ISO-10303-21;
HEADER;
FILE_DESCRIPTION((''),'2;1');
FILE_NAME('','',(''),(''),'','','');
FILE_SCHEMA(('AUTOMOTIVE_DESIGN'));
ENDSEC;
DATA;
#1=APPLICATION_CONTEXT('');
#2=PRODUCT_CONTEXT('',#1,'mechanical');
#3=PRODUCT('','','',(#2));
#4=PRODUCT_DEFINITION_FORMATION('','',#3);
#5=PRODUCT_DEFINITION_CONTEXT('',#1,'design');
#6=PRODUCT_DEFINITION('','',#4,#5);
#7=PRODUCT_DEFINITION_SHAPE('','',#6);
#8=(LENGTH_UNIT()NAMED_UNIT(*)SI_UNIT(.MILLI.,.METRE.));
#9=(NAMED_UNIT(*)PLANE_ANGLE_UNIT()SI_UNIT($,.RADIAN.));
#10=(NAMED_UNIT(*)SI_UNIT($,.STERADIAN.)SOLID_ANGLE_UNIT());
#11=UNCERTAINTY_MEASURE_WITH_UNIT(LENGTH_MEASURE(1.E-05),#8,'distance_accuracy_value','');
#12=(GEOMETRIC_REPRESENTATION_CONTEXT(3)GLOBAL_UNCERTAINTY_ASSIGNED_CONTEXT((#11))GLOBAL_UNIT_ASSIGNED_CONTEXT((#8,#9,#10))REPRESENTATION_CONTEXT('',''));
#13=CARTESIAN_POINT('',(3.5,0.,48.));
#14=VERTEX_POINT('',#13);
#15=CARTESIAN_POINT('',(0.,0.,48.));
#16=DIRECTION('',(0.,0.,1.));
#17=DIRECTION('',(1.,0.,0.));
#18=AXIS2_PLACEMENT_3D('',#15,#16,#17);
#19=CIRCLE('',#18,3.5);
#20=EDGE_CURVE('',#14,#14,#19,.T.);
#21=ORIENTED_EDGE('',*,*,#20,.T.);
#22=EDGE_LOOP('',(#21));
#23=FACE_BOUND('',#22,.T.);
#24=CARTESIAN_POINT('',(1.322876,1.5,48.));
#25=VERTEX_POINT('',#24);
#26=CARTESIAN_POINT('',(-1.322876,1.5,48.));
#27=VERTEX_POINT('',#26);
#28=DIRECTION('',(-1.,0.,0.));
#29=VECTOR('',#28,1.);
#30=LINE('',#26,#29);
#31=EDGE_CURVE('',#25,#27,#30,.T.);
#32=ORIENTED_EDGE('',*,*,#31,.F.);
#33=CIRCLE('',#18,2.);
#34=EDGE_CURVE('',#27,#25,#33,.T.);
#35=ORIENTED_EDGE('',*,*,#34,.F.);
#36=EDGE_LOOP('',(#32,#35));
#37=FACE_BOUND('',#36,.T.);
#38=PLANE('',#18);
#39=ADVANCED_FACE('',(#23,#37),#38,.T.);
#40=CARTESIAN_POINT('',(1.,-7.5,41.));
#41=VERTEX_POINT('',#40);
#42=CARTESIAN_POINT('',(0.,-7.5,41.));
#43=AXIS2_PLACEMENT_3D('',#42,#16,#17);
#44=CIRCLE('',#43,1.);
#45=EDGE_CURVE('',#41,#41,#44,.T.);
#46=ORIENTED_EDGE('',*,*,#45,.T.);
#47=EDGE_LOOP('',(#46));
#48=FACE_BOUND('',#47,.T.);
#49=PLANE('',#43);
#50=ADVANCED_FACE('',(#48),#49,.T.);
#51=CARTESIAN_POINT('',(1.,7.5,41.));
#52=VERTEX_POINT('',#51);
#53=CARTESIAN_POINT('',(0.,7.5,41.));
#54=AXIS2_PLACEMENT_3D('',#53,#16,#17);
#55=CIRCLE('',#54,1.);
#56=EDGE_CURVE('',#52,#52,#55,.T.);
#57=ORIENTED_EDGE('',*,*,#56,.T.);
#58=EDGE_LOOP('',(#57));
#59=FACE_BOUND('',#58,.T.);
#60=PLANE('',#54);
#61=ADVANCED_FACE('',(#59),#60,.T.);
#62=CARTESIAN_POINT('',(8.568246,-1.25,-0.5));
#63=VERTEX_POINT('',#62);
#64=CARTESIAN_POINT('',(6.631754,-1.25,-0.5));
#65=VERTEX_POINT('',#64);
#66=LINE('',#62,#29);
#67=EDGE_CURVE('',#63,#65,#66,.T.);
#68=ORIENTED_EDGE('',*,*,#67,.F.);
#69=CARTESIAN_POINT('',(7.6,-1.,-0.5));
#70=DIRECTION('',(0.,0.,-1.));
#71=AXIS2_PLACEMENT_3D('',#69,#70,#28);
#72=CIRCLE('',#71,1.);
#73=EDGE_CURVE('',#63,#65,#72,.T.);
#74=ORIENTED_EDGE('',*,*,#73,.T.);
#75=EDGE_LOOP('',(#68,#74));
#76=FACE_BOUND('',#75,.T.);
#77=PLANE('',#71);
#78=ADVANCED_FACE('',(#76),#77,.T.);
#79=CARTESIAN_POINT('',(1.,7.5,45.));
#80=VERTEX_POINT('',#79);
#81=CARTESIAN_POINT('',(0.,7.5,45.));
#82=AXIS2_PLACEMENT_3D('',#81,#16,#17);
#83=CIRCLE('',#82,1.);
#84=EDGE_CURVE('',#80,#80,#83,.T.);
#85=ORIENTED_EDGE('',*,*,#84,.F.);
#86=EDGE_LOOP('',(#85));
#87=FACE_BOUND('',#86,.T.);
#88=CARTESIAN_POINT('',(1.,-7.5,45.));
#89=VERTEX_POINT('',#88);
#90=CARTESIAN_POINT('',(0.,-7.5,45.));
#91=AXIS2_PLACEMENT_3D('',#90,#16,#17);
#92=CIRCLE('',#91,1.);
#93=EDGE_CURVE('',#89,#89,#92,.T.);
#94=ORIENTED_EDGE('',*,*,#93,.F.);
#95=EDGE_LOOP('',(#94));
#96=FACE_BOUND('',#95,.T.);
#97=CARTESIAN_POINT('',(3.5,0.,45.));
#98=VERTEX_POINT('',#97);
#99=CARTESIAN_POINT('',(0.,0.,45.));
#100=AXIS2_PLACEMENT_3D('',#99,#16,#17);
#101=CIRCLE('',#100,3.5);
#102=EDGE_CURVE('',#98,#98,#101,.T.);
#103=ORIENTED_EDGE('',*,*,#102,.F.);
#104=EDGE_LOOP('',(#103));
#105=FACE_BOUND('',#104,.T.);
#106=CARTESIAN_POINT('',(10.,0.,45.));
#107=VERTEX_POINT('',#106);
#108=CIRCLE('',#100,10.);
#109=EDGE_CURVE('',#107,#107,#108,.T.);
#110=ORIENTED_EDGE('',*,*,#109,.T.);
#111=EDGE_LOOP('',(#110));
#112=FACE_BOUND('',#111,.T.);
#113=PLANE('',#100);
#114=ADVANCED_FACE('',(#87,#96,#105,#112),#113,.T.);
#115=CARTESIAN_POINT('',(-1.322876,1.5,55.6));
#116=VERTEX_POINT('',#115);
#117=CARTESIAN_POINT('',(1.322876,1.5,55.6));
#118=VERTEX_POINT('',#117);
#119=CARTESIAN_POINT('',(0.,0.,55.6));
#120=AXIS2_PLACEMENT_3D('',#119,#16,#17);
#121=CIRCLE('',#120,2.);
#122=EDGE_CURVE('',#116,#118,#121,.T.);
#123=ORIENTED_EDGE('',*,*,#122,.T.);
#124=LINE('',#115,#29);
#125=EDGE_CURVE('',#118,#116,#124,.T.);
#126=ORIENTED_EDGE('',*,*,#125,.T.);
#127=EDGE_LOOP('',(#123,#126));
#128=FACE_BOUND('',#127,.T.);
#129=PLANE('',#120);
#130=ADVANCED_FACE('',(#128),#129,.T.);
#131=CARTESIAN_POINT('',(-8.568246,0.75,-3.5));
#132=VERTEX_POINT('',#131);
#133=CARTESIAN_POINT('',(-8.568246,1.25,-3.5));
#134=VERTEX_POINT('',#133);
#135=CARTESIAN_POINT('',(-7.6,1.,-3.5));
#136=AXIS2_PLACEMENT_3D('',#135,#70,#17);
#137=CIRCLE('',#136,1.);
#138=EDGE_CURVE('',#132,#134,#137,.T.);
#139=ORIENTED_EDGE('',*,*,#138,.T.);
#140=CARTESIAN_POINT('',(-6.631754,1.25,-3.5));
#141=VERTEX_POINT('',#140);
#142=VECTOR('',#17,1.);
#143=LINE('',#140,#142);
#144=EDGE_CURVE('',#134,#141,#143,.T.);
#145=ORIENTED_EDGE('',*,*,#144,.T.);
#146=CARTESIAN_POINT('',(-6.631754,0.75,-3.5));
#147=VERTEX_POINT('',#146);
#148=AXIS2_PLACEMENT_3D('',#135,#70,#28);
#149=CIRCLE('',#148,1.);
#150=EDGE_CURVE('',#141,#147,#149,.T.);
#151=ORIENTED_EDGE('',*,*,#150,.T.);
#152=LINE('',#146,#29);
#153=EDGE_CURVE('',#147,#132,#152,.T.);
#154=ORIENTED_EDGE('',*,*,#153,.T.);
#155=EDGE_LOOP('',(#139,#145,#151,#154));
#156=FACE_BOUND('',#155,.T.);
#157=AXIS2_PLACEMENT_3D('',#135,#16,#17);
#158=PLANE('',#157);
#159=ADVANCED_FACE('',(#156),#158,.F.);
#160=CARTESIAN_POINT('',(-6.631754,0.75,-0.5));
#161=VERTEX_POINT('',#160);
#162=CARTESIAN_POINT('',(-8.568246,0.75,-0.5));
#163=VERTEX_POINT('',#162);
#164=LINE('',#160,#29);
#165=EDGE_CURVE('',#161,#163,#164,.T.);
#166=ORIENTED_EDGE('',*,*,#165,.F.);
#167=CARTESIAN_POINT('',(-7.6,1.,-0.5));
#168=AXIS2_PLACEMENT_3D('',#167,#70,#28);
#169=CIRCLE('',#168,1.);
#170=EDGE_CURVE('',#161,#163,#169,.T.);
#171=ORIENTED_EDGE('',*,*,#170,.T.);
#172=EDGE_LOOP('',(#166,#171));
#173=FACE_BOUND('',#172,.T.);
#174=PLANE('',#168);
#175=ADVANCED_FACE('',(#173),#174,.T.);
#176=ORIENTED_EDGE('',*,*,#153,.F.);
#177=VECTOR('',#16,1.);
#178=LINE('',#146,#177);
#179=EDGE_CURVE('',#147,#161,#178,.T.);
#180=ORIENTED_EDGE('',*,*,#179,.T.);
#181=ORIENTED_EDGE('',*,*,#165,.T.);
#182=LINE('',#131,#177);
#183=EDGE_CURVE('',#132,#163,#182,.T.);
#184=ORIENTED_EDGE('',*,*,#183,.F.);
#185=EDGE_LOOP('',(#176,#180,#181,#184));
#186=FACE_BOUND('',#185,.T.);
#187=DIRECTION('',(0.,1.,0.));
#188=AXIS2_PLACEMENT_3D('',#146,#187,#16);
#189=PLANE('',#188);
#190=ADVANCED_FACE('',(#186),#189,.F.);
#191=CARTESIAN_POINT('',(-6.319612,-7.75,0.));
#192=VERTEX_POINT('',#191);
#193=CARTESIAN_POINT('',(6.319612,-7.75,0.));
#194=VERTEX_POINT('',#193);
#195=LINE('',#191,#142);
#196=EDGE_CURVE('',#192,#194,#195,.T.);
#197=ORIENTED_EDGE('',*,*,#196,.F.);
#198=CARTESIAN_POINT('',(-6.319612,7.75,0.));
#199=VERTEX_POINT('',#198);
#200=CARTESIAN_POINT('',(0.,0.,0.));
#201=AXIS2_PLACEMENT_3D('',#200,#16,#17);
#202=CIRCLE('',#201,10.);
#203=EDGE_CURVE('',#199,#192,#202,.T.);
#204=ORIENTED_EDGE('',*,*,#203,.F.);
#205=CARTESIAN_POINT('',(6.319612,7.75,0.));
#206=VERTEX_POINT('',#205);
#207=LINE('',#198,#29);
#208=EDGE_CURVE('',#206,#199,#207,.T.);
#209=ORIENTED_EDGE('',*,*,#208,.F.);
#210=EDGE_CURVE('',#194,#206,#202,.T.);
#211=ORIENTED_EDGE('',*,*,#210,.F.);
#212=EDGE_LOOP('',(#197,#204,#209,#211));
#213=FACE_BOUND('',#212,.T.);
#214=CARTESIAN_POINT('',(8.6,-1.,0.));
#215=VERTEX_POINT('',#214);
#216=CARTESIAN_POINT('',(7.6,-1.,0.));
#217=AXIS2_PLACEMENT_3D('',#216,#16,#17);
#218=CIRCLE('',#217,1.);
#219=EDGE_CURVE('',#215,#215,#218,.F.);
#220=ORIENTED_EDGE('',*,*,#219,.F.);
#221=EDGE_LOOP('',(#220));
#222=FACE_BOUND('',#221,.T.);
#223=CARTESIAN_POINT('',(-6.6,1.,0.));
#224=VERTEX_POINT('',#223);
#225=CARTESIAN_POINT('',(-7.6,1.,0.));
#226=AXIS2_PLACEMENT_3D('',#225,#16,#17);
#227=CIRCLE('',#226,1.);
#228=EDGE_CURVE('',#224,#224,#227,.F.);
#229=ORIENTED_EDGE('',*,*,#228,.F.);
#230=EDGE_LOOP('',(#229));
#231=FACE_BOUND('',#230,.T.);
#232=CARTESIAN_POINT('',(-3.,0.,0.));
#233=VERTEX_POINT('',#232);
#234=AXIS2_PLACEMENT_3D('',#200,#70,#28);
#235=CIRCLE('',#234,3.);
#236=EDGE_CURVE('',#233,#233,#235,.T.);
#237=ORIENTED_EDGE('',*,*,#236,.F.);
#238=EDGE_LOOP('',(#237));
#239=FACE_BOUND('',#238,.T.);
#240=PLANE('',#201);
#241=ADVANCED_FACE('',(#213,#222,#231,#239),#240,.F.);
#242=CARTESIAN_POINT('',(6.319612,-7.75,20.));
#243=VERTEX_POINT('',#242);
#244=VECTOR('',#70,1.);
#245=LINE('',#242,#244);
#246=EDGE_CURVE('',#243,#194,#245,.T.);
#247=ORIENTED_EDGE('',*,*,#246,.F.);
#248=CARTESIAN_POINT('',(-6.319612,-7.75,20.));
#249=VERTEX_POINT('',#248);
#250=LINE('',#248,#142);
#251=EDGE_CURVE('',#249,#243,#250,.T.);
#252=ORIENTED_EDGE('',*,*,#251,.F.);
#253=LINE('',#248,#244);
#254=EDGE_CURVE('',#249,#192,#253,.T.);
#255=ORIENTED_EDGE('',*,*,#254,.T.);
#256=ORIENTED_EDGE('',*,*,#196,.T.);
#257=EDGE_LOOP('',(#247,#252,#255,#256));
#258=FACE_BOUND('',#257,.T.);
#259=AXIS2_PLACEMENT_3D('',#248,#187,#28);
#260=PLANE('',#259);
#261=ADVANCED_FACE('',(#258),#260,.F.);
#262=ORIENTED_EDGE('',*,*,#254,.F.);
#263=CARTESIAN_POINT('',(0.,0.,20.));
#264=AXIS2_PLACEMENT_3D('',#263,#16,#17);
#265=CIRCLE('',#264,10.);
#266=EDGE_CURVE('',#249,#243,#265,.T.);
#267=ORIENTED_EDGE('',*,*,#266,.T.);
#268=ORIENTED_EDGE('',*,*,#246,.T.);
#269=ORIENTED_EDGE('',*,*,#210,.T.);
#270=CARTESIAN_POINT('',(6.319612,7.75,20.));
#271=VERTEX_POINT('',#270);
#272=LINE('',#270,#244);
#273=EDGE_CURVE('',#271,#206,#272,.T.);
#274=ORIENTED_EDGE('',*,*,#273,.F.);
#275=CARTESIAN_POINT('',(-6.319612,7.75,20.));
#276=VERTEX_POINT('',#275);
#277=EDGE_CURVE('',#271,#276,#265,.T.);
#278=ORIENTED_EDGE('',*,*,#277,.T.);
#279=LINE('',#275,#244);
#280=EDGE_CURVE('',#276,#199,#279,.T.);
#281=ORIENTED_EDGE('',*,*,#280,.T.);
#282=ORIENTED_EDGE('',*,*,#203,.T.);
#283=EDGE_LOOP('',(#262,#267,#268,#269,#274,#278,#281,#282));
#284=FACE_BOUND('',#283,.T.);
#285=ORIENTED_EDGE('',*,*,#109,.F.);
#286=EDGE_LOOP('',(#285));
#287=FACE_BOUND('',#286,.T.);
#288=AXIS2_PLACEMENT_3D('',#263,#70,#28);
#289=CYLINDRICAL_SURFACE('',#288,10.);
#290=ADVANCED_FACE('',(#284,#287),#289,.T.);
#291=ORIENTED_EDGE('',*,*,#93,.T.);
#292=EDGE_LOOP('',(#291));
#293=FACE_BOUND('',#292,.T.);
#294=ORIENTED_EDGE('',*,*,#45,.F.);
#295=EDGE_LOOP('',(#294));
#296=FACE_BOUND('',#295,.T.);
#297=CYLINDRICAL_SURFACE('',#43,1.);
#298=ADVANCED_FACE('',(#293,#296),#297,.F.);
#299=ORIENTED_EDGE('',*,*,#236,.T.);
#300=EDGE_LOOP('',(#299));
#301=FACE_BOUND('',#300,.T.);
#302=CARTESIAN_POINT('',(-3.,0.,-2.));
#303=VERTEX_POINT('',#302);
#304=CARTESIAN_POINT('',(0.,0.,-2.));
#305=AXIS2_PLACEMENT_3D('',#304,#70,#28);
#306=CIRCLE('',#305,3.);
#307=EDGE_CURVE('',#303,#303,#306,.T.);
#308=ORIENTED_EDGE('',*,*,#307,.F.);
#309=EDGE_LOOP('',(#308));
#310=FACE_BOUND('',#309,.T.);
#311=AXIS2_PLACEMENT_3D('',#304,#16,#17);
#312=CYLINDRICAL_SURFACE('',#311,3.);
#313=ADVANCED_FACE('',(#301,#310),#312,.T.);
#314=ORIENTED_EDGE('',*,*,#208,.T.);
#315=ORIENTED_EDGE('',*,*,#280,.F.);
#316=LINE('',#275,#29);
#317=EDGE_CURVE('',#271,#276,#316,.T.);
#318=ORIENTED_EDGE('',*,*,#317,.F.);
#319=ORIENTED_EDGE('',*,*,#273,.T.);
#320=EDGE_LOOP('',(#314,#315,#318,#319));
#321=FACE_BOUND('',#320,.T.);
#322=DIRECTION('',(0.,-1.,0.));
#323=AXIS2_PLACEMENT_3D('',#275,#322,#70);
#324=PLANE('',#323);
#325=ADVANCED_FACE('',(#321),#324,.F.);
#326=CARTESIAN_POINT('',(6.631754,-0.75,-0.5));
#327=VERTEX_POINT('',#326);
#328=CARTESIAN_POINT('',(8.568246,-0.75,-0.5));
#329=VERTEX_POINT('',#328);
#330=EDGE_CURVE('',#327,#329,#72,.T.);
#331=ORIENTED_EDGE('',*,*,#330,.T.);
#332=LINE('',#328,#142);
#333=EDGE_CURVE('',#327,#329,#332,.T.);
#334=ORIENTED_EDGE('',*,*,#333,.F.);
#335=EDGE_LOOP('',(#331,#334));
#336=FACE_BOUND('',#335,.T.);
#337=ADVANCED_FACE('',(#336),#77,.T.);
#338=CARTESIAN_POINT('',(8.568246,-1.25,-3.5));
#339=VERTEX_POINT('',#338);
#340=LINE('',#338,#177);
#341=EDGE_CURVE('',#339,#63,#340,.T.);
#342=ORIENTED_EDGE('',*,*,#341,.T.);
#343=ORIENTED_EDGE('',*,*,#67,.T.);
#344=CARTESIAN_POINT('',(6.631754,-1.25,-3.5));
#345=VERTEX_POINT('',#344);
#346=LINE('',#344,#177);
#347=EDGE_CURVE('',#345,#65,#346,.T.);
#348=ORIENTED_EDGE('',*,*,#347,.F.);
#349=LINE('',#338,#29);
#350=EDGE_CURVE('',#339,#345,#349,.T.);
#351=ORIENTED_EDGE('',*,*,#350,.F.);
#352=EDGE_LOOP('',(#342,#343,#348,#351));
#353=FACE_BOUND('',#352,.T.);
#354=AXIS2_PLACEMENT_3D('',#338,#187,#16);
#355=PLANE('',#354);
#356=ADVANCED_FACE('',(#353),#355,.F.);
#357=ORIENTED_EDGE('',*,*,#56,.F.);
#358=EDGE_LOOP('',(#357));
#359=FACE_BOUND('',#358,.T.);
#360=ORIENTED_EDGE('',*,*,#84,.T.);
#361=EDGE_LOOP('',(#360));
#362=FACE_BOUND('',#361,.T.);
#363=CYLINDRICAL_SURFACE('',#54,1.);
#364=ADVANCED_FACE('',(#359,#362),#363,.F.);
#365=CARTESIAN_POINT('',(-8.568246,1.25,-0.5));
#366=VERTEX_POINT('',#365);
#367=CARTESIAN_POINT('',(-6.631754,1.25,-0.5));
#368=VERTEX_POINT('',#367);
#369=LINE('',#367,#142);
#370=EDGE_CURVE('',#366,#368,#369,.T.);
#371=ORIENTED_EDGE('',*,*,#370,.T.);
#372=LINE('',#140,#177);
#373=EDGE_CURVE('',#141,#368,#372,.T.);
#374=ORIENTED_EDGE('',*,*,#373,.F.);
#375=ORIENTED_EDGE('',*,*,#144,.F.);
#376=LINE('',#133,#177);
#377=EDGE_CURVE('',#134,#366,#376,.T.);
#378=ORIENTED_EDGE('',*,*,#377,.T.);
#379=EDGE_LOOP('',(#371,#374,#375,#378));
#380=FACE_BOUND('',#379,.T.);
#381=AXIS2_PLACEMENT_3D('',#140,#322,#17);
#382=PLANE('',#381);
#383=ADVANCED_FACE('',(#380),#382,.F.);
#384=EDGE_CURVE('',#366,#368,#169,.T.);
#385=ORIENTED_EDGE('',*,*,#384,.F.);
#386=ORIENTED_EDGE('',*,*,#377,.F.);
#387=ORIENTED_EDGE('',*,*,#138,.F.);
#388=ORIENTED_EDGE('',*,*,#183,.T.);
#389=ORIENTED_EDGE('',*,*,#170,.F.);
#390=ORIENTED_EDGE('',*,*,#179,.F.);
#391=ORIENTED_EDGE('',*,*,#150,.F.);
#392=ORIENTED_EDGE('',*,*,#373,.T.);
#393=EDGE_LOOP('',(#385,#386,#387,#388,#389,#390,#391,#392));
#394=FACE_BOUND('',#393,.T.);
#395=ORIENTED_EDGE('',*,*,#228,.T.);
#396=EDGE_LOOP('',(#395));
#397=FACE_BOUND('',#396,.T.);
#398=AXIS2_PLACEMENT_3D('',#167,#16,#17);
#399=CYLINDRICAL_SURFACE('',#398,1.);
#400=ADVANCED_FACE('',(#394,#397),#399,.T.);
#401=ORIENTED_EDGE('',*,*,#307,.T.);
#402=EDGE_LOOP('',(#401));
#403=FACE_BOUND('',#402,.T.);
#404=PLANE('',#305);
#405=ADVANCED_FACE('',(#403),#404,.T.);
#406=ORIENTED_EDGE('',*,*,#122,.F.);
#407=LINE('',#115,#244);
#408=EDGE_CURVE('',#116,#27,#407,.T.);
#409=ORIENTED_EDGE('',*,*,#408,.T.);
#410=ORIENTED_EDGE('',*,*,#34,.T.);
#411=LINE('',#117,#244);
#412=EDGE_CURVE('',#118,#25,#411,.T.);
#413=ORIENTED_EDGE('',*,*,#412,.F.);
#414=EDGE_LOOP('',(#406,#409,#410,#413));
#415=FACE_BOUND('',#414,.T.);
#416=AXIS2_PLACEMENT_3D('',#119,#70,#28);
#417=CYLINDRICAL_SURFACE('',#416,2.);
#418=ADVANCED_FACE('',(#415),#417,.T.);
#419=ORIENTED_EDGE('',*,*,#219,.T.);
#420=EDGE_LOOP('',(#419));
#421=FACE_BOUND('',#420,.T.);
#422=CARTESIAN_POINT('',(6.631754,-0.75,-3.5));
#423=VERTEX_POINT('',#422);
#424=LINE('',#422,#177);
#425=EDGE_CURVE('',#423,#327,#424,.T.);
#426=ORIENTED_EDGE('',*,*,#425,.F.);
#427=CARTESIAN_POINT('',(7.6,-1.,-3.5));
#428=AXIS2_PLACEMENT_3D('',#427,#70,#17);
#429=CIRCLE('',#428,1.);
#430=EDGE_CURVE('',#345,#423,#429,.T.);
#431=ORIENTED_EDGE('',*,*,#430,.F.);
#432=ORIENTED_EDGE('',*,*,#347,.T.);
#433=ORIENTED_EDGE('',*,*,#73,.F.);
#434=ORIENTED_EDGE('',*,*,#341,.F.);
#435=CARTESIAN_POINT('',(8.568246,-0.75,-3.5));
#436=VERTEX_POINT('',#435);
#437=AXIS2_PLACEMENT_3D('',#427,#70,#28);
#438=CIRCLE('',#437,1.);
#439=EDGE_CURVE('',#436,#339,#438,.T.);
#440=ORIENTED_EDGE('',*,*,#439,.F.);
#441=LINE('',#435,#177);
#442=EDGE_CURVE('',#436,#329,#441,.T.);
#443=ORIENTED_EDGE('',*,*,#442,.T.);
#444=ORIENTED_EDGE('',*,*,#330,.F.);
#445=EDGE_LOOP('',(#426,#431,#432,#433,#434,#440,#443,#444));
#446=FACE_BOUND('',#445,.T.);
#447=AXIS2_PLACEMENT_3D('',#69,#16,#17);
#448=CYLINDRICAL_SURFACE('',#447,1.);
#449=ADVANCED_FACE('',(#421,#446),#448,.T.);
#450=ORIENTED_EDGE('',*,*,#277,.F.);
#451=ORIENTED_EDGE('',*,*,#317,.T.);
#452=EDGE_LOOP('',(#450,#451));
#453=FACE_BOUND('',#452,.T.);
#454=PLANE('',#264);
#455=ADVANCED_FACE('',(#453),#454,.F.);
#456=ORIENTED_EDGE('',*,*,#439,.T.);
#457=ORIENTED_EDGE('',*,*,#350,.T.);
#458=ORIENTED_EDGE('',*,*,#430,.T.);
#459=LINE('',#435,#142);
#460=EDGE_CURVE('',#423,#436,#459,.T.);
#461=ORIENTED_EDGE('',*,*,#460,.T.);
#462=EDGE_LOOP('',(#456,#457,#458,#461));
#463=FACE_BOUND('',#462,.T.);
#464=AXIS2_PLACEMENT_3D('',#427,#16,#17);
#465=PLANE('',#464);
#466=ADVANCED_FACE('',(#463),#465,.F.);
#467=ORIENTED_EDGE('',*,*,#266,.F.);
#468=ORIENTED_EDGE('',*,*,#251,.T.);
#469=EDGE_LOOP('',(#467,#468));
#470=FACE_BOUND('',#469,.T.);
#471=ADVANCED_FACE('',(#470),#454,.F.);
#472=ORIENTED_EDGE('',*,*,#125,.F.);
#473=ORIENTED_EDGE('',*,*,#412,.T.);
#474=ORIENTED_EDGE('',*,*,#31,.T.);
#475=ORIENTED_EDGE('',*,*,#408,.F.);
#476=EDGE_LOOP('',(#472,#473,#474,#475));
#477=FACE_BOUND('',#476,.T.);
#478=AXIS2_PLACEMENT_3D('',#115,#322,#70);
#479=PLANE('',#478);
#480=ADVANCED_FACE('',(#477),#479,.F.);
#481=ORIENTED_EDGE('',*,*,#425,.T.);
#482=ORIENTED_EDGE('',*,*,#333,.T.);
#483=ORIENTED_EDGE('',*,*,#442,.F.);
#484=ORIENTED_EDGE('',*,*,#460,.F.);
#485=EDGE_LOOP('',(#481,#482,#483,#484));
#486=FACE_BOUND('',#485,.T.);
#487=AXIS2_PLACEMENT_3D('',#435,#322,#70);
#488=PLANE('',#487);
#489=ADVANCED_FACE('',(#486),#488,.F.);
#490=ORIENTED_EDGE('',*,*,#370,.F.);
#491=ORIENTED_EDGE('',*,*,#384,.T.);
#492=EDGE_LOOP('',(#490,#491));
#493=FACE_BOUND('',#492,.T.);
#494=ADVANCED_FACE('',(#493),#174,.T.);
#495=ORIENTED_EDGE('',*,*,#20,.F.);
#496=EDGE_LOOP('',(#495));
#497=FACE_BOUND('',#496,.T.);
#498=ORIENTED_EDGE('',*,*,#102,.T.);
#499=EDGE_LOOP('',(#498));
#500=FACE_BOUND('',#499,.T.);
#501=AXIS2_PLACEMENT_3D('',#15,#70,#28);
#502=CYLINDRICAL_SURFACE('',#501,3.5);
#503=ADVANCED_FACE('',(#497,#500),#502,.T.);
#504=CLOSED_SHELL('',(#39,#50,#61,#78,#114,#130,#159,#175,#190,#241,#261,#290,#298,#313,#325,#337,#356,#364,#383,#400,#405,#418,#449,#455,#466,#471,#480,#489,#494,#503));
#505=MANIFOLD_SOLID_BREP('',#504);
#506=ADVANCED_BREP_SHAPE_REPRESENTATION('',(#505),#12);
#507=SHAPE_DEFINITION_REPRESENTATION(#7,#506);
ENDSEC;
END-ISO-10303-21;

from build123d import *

# Parameters (mm, degrees)
EXTRUDE_1_DEPTH     = 20
SKETCH_2_R          = 10
EXTRUDE_2_DEPTH     = 25
SKETCH_3_R          = 1
CUT_EXTRUDE_1_DEPTH = 4
SKETCH_4_R          = 3
EXTRUDE_3_DEPTH     = 2
SKETCH_5_R          = 1
EXTRUDE_4_DEPTH     = 0.5
EXTRUDE_6_DEPTH     = 3
SKETCH_7_R          = 3.5
EXTRUDE_7_DEPTH     = 3
EXTRUDE_8_DEPTH     = 7.6


with BuildPart() as part:
    # 草图1 → 凸台-拉伸1 (new body)
    with BuildSketch(Plane.XY):
        with BuildLine():
            Line((-6.31961233, 7.75), (6.31961233, 7.75))
            ThreePointArc((6.31961233, 7.75), (10, 0), (6.31961233, -7.75))
            Line((6.31961233, -7.75), (-6.31961233, -7.75))
            ThreePointArc((-6.31961233, -7.75), (-10, 0), (-6.31961233, 7.75))
        make_face()
    extrude(amount=EXTRUDE_1_DEPTH)

    # 草图2 → 凸台-拉伸2 (add)
    with BuildSketch(Plane.XY.offset(20)):
        with Locations(Location((0, 0, 0), (0, 0, 129.194967426))):
            Circle(SKETCH_2_R)
    extrude(amount=EXTRUDE_2_DEPTH)

    # 草图3 → 切除-拉伸1 (cut)
    with BuildSketch(Plane.XY.offset(45)):
        with Locations((0, 7.5)):
            Circle(SKETCH_3_R)
        with Locations((0, -7.5)):
            Circle(SKETCH_3_R)
    extrude(amount=-CUT_EXTRUDE_1_DEPTH, mode=Mode.SUBTRACT)

    # 草图4 → 凸台-拉伸3 (add)
    with BuildSketch(Plane(origin=(0, 0, 0), x_dir=(-1, 0, 0), z_dir=(0, 0, -1))):
        Circle(SKETCH_4_R)
    extrude(amount=EXTRUDE_3_DEPTH)

    # 草图5 → 凸台-拉伸4 (add)
    with BuildSketch(Plane(origin=(0, 0, 0), x_dir=(-1, 0, 0), z_dir=(0, 0, -1))):
        with Locations(Location((-7.6, -1, 0), (0, 0, 180))):
            Circle(SKETCH_5_R)
        with Locations(Location((7.6, 1, 0), (0, 0, 180))):
            Circle(SKETCH_5_R)
    extrude(amount=EXTRUDE_4_DEPTH)

    # 草图6 → 凸台-拉伸6 (add)
    with BuildSketch(Plane(origin=(0, 0, -0.5), x_dir=(-1, 0, 0), z_dir=(0, 0, -1))):
        with BuildLine():
            Line((-8.568245837, -1.25), (-6.631754163, -1.25))
            ThreePointArc((-6.631754163, -1.25), (-6.6, -1), (-6.631754163, -0.75))
            Line((-6.631754163, -0.75), (-8.568245837, -0.75))
            ThreePointArc((-8.568245837, -0.75), (-8.6, -1), (-8.568245837, -1.25))
        make_face()
        with BuildLine():
            Line((6.631754163, 0.75), (8.568245837, 0.75))
            ThreePointArc((8.568245837, 0.75), (8.6, 1), (8.568245837, 1.25))
            Line((8.568245837, 1.25), (6.631754163, 1.25))
            ThreePointArc((6.631754163, 1.25), (6.6, 1), (6.631754163, 0.75))
        make_face()
    extrude(amount=EXTRUDE_6_DEPTH)

    # 草图7 → 凸台-拉伸7 (add)
    with BuildSketch(Plane.XY.offset(45)):
        Circle(SKETCH_7_R)
    extrude(amount=EXTRUDE_7_DEPTH)

    # 草图9 → 凸台-拉伸8 (add)
    with BuildSketch(Plane.XY.offset(48)):
        with BuildLine():
            Line((-1.322875656, 1.5), (1.322875656, 1.5))
            ThreePointArc((1.322875656, 1.5), (0, -2), (-1.322875656, 1.5))
        make_face()
    extrude(amount=EXTRUDE_8_DEPTH)


solid = part.part
